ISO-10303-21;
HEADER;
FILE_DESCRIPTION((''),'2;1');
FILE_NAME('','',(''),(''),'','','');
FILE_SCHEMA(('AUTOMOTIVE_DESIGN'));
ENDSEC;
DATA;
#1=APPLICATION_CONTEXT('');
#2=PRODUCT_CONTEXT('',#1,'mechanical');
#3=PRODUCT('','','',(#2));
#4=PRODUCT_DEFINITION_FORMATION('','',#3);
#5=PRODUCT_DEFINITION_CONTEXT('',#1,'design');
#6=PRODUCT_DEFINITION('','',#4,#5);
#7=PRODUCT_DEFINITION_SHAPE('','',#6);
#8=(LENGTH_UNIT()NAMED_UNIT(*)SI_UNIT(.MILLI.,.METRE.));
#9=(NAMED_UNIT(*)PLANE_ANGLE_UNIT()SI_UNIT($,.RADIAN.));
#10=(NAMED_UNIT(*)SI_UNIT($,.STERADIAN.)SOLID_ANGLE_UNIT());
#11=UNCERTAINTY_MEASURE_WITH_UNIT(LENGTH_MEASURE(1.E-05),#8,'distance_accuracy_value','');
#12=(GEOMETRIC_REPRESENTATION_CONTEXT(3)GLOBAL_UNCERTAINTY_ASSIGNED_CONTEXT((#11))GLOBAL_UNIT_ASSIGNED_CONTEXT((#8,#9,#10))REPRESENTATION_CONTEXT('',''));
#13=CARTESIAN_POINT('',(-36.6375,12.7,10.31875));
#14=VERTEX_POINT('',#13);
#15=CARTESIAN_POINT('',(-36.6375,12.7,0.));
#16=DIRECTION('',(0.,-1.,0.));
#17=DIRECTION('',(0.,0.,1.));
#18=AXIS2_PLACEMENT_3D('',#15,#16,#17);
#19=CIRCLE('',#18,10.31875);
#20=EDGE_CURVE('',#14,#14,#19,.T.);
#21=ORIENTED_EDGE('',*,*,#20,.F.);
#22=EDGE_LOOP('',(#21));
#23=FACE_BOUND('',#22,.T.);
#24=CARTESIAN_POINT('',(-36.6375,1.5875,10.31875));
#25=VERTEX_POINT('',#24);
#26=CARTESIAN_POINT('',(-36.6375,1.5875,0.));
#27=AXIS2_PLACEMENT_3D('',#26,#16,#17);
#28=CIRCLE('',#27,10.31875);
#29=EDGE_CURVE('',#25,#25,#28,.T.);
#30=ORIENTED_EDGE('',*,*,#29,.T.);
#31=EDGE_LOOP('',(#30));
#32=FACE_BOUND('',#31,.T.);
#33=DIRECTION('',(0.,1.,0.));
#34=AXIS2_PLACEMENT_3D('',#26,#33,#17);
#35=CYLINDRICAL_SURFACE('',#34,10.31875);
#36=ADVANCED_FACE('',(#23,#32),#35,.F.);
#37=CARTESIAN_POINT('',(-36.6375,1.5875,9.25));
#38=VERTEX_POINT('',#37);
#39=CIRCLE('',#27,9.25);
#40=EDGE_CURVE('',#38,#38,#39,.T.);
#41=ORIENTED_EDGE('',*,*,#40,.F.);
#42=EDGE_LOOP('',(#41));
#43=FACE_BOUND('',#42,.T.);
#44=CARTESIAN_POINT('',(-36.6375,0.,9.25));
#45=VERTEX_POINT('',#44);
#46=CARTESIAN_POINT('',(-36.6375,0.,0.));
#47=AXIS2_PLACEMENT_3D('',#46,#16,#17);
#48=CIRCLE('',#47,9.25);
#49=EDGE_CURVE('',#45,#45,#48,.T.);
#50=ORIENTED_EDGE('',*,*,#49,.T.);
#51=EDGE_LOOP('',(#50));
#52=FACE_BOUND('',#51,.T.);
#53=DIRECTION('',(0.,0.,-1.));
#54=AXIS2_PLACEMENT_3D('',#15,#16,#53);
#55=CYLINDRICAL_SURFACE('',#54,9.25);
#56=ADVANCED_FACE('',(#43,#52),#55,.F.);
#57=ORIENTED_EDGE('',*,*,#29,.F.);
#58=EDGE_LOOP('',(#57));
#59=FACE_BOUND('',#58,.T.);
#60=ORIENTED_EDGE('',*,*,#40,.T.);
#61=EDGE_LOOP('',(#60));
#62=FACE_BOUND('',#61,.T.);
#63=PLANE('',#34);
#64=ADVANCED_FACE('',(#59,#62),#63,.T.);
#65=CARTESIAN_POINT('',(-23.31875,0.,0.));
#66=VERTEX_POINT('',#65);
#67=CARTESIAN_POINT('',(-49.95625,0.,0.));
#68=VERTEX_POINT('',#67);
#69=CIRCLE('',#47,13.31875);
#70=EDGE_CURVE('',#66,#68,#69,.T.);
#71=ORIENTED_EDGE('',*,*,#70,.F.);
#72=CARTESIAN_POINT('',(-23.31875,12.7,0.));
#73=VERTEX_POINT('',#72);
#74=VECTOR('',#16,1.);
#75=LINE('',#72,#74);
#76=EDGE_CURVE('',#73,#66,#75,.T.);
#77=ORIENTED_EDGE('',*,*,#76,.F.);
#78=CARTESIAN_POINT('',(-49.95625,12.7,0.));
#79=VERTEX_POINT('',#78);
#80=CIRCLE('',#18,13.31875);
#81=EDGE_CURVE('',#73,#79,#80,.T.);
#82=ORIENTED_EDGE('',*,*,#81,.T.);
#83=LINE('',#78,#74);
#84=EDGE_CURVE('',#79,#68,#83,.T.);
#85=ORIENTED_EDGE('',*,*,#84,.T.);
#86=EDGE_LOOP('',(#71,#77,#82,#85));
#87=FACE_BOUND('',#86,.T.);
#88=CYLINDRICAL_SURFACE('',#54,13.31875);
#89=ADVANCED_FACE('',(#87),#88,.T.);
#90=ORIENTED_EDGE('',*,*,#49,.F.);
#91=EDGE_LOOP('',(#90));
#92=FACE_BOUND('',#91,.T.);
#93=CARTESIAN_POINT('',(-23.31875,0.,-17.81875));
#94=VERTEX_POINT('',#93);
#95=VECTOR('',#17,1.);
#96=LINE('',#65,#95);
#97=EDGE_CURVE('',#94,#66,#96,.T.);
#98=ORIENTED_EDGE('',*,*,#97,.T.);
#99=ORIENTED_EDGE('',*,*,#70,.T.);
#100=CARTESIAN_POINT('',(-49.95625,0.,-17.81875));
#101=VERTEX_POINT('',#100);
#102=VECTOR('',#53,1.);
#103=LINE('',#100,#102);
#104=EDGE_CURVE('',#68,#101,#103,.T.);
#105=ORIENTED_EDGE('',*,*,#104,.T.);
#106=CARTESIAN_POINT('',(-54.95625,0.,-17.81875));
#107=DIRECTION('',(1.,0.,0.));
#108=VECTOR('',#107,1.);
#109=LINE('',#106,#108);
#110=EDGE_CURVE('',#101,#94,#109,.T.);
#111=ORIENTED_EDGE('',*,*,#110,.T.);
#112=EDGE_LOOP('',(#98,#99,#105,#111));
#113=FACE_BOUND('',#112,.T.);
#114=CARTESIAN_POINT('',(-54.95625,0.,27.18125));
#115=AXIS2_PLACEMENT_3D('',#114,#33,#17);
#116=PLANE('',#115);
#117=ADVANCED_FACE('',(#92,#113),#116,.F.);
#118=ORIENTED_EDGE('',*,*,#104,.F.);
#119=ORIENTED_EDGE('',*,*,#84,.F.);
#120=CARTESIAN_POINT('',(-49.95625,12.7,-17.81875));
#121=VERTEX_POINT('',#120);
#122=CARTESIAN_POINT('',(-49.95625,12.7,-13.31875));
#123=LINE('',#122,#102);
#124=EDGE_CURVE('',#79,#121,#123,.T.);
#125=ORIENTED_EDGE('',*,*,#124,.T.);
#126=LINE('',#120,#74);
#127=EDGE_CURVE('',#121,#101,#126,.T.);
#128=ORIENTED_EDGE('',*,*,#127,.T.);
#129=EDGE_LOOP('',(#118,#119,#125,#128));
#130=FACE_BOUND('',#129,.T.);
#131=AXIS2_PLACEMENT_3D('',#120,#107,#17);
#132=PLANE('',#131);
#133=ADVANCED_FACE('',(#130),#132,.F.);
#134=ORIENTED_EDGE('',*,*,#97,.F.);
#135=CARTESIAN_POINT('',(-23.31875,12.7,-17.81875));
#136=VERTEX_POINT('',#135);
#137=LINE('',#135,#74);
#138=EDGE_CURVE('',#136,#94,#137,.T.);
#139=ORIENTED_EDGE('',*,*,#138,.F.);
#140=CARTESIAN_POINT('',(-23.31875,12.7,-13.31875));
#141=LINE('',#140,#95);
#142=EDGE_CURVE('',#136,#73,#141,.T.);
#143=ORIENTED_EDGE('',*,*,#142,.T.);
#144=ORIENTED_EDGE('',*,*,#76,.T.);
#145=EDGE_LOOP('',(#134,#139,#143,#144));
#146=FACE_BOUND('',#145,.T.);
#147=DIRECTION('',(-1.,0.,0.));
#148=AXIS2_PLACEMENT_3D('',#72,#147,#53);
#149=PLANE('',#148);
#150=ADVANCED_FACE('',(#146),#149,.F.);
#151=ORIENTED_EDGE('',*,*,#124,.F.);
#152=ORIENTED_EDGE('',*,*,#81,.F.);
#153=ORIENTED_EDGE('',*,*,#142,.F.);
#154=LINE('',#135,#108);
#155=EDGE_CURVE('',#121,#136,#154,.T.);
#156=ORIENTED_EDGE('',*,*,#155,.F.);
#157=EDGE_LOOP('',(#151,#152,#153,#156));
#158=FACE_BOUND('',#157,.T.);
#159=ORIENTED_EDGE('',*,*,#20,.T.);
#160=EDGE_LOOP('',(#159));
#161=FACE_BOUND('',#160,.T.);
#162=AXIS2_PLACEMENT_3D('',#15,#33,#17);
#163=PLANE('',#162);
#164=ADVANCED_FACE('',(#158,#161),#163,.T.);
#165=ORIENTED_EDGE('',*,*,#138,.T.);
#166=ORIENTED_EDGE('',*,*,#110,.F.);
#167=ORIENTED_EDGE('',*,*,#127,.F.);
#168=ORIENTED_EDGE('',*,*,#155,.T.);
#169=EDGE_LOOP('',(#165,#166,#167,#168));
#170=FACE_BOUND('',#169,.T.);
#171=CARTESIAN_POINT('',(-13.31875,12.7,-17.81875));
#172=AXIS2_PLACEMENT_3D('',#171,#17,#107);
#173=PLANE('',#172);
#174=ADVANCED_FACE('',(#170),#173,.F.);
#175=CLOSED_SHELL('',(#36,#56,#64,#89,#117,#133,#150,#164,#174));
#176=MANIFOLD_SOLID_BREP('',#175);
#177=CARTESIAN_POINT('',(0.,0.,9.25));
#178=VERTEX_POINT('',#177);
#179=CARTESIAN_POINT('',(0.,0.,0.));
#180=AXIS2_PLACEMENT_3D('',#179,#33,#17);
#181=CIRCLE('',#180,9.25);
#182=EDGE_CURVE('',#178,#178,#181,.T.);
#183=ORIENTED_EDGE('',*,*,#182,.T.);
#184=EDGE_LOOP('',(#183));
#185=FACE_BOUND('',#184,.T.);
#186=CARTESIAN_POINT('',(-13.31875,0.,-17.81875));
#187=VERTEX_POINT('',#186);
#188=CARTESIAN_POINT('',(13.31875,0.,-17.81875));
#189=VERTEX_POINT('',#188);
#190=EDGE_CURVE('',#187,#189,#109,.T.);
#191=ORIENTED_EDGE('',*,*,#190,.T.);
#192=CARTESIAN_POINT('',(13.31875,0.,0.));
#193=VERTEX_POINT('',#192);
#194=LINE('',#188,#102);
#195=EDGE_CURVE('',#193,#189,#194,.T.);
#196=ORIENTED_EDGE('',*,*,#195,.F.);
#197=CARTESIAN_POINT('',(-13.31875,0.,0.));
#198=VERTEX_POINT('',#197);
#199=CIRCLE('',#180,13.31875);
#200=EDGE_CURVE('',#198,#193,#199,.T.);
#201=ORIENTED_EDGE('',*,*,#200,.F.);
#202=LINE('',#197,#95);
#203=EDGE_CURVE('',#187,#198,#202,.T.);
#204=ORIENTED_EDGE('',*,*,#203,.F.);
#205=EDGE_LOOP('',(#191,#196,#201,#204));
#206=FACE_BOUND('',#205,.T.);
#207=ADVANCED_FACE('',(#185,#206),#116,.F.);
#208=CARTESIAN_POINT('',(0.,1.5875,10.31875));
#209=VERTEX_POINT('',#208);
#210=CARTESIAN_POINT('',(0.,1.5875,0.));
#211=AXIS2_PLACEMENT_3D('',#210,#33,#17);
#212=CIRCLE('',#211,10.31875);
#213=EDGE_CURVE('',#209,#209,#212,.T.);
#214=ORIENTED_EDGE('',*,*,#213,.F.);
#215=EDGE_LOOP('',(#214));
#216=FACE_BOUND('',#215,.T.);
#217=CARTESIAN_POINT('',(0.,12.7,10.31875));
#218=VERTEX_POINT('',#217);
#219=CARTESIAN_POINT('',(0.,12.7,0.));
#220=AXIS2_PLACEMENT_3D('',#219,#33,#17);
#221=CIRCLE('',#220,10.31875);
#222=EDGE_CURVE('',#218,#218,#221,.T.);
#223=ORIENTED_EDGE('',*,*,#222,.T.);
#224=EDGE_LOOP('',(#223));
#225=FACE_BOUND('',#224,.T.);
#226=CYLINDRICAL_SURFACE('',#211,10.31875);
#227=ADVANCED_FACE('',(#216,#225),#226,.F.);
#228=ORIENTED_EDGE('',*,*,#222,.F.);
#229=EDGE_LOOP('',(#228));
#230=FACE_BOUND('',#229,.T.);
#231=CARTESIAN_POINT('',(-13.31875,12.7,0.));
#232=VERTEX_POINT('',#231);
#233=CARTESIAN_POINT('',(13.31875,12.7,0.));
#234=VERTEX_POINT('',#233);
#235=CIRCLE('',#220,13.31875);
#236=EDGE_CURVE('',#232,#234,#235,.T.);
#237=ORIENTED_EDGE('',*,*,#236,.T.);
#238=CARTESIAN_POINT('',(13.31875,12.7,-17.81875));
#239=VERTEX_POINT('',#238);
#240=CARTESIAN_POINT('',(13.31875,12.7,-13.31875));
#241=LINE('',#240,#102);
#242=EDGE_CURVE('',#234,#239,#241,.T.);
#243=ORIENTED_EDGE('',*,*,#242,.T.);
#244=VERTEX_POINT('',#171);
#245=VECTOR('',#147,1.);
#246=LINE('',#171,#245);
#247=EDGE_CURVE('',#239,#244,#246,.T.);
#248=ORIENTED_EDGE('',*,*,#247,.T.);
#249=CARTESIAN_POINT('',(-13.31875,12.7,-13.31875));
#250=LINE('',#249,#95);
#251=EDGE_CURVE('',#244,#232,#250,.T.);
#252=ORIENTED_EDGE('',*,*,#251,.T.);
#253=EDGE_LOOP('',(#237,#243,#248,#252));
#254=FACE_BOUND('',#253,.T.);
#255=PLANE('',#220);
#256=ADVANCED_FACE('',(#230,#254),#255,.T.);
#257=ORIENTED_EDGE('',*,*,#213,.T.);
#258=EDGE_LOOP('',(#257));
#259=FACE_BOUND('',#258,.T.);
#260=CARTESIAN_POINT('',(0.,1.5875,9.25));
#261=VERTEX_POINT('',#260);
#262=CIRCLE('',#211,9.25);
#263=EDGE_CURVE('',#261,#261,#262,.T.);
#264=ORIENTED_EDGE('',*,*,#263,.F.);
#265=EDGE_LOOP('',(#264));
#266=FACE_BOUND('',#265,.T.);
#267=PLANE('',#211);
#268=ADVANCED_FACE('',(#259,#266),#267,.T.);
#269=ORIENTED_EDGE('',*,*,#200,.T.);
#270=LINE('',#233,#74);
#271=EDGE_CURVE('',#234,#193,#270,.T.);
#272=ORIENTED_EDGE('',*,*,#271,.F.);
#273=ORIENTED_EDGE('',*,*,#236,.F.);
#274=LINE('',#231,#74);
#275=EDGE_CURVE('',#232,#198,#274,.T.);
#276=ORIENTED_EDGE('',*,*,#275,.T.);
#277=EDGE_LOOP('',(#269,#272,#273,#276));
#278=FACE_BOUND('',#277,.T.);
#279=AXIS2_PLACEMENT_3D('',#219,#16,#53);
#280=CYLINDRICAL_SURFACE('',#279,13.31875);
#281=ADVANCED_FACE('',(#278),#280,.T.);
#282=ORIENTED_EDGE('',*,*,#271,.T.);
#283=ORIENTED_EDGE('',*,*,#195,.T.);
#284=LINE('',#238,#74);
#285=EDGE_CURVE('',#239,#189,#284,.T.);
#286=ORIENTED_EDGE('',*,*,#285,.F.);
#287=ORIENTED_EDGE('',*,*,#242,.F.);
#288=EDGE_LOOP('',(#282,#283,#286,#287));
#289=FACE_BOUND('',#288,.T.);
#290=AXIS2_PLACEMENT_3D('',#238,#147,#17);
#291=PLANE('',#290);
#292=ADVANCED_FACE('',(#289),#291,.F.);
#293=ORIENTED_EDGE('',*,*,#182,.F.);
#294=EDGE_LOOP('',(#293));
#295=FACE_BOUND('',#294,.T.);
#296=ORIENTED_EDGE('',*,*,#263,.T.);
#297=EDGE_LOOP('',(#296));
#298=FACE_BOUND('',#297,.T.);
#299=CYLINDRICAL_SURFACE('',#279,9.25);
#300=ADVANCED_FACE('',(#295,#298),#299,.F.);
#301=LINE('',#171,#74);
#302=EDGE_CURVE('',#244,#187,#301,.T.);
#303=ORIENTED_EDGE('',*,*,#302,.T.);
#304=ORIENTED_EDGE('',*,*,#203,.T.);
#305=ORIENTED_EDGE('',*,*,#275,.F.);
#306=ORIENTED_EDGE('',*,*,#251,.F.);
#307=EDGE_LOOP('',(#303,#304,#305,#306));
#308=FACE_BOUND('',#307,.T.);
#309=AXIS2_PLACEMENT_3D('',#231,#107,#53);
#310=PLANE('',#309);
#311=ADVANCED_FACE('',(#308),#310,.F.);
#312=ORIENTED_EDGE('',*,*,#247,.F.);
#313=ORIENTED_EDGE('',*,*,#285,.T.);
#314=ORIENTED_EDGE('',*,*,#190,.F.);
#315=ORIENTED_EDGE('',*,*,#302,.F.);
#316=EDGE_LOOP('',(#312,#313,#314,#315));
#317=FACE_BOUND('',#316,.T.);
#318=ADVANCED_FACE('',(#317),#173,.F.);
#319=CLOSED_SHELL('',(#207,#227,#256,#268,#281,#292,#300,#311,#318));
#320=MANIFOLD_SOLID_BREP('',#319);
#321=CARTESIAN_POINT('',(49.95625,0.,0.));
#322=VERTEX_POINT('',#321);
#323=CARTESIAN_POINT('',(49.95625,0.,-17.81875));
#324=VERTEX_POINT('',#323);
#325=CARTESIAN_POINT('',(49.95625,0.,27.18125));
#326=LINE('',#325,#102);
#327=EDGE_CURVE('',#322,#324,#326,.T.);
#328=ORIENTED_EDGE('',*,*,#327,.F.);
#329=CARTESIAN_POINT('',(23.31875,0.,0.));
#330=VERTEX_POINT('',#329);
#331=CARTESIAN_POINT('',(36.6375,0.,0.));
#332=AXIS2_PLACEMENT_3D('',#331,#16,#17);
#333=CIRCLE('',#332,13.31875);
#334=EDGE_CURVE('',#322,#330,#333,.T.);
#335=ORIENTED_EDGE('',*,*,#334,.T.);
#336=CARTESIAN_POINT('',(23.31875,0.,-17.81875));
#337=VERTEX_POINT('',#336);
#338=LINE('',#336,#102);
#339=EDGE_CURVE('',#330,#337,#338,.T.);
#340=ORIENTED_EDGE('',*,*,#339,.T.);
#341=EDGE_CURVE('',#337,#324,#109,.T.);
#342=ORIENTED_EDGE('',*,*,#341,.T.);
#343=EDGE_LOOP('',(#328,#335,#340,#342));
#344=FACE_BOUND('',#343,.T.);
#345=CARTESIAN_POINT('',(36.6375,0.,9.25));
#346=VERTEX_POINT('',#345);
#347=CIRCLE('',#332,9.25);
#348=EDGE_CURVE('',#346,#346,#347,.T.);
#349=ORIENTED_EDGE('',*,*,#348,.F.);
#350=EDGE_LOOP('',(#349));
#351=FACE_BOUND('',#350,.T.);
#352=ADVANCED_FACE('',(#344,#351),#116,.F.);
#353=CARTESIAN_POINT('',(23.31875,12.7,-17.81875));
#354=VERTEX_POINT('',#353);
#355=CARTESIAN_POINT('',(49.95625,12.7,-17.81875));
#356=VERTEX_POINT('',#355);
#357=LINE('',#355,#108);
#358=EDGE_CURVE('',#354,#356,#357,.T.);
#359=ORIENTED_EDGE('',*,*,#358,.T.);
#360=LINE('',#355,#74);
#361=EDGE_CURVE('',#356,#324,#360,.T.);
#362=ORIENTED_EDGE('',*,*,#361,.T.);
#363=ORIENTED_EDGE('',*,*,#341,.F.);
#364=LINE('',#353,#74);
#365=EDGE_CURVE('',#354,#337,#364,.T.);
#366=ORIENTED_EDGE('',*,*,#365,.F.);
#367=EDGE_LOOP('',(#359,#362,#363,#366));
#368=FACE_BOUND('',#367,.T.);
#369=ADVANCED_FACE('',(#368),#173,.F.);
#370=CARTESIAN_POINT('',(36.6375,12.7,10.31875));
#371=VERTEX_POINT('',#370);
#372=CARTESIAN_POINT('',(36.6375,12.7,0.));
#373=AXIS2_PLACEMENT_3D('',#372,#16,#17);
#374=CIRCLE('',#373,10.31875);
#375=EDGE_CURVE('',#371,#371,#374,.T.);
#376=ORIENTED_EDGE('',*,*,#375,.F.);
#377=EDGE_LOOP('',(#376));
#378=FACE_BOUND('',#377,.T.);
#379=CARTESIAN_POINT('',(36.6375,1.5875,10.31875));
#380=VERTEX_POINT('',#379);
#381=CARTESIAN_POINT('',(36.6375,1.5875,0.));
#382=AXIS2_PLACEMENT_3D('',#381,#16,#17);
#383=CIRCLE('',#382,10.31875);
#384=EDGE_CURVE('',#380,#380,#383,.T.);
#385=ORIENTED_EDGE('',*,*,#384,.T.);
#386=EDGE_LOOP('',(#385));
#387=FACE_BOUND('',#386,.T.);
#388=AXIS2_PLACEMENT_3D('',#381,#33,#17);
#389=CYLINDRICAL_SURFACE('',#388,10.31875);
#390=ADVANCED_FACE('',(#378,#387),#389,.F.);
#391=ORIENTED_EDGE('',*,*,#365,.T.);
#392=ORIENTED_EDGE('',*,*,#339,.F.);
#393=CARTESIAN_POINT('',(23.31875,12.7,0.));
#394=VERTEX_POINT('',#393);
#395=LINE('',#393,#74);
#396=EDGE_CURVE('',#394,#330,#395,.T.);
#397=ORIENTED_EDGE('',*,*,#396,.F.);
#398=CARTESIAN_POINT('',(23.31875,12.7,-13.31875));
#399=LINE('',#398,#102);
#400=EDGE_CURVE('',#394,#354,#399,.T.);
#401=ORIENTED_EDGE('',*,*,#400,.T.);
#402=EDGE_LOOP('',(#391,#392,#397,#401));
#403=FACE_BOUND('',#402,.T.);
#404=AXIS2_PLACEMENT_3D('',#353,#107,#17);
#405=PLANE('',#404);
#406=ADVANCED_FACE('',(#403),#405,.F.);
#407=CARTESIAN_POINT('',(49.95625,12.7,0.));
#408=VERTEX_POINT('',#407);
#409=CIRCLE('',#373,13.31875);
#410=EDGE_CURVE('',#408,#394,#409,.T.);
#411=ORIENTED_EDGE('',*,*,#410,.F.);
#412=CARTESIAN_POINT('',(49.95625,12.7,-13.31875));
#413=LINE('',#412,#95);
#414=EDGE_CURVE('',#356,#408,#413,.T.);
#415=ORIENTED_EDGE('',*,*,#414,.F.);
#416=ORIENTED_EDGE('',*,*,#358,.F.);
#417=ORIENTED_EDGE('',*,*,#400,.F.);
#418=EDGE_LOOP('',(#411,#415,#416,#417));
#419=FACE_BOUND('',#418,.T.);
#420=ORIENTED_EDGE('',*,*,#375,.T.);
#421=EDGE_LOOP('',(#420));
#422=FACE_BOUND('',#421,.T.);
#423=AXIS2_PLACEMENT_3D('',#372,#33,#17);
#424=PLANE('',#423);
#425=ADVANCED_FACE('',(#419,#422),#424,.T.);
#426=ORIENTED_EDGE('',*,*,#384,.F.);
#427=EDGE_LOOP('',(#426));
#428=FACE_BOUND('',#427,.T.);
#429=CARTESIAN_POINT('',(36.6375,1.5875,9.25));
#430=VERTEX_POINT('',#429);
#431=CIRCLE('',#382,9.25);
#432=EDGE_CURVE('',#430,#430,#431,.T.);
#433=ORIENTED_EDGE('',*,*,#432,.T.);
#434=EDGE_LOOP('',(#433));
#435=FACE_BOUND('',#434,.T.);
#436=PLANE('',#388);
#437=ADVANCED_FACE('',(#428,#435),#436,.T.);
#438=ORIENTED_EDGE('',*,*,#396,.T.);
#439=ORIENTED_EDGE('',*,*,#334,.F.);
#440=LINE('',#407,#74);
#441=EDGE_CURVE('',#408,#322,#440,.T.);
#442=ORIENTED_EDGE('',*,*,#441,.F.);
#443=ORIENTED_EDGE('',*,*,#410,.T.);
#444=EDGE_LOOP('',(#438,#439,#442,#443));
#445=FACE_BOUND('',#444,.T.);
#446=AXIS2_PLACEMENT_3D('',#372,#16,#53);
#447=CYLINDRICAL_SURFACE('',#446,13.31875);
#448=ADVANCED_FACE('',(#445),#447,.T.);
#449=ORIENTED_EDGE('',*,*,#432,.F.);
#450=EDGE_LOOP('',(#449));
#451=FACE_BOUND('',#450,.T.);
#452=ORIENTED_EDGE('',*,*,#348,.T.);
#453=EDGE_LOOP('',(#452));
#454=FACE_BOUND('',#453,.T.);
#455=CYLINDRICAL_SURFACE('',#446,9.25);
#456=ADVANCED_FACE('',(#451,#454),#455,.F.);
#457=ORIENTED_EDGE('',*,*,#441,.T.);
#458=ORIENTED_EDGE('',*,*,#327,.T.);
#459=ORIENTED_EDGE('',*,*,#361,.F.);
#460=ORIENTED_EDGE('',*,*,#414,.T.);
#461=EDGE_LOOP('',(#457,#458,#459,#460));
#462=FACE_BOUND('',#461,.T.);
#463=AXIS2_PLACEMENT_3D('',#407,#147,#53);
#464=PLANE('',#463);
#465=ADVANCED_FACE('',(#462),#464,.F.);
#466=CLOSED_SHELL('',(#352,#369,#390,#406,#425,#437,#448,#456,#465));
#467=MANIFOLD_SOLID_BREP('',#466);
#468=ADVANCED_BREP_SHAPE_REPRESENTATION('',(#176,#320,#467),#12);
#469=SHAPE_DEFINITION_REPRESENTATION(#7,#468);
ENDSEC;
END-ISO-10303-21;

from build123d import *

# Parameters (mm, degrees)
SKETCH1_R           = 9.25
BOSS_EXTRUDE1_DEPTH = 12.7
SKETCH2_R           = 10.31875
CUT_EXTRUDE1_DEPTH  = 11.1125
BOSS_EXTRUDE2_DEPTH = 40
SKETCH4_W           = 59.346430133
SKETCH4_H           = 21.496595804
CUT_EXTRUDE2_DEPTH  = 45
SKETCH5_W           = 104.9125
SKETCH5_H           = 1.478286878
CUT_EXTRUDE3_DEPTH  = 45


with BuildPart() as part:
    # Sketch1 → Boss-Extrude1 (new body)
    with BuildSketch(Plane(origin=(0, 0, 0), x_dir=(1, 0, 0), z_dir=(0, 1, 0))):
        with BuildLine():
            Line((-13.31875, 0), (-13.31875, 13.31875))
            Line((-13.31875, 13.31875), (-13.31875, 17.81875))
            Line((-13.31875, 17.81875), (13.31875, 17.81875))
            Line((13.31875, 17.81875), (13.31875, 13.31875))
            Line((13.31875, 13.31875), (13.31875, 0))
            ThreePointArc((13.31875, 0), (0, -13.31875), (-13.31875, 0))
        make_face()
        with Locations(Location((0, 0, 0), (0, 0, 270))):
            Circle(SKETCH1_R, mode=Mode.SUBTRACT)
    extrude(amount=BOSS_EXTRUDE1_DEPTH)

    # Sketch2 → Cut-Extrude1 (cut)
    with BuildSketch(Plane(origin=(0, 12.7, 0), x_dir=(1, 0, 0), z_dir=(0, 1, 0))):
        with Locations(Location((0, 0, 0), (0, 0, 270))):
            Circle(SKETCH2_R)
    extrude(amount=-CUT_EXTRUDE1_DEPTH, mode=Mode.SUBTRACT)

    # Sketch3 → Boss-Extrude2 (add)
    with BuildSketch(Plane(origin=(0, 0, -17.81875), x_dir=(-1, 0, 0), z_dir=(0, 0, -1))):
        Polygon((0, 0), (-18.31875, 0), (-18.31875, -1.478286878), (18.31875, -1.478286878), (18.31875, 0), align=None)
    extrude(amount=-BOSS_EXTRUDE2_DEPTH)

    # Mirror2: part across plane


with BuildPart() as part_1:
    add(part.part)
    add(part.part.mirror(Plane.ZY.offset(18.31875)))

    # Mirror4: part across plane


with BuildPart() as part_2:
    add(part_1.part)
    add(part_1.part.mirror(Plane(origin=(18.31875, 0, 0), x_dir=(0, 0, 1), z_dir=(1, 0, 0))))

    # Sketch4 → Cut-Extrude2 (cut)
    with BuildSketch(Plane(origin=(49.95625, 0, 0), x_dir=(0, 0, -1), z_dir=(1, 0, 0))):
        with Locations((2.088766469, 4.510636286)):
            Rectangle(SKETCH4_W, SKETCH4_H)
    extrude(amount=CUT_EXTRUDE2_DEPTH, mode=Mode.SUBTRACT)

    # Sketch5 → Cut-Extrude3 (cut)
    with BuildSketch(Plane(origin=(0, 0, -17.81875), x_dir=(-1, 0, 0), z_dir=(0, 0, -1))):
        with Locations((2.5, -0.739143439)):
            Rectangle(SKETCH5_W, SKETCH5_H)
    extrude(amount=-CUT_EXTRUDE3_DEPTH, mode=Mode.SUBTRACT)


with BuildPart() as cut_extrude3_piece_1:
    # of the separate pieces the step leaves, piece 1, a body of its own (cut_extrude3_pieces)
    add(part_2.part.solids().sort_by_distance((13.31875, 0, -17.81875))[0])


with BuildPart() as cut_extrude3_piece_2:
    # of the separate pieces the step leaves, piece 2, a body of its own (cut_extrude3_pieces)
    add(part_2.part.solids().sort_by_distance((23.31875, 0, -17.81875))[0])


with BuildPart() as cut_extrude3_piece_3:
    # of the separate pieces the step leaves, piece 3, a body of its own (cut_extrude3_pieces)
    add(part_2.part.solids().sort_by_distance((-49.95625, 0, -17.81875))[0])


solid = Compound([cut_extrude3_piece_1.part, cut_extrude3_piece_2.part, cut_extrude3_piece_3.part])
